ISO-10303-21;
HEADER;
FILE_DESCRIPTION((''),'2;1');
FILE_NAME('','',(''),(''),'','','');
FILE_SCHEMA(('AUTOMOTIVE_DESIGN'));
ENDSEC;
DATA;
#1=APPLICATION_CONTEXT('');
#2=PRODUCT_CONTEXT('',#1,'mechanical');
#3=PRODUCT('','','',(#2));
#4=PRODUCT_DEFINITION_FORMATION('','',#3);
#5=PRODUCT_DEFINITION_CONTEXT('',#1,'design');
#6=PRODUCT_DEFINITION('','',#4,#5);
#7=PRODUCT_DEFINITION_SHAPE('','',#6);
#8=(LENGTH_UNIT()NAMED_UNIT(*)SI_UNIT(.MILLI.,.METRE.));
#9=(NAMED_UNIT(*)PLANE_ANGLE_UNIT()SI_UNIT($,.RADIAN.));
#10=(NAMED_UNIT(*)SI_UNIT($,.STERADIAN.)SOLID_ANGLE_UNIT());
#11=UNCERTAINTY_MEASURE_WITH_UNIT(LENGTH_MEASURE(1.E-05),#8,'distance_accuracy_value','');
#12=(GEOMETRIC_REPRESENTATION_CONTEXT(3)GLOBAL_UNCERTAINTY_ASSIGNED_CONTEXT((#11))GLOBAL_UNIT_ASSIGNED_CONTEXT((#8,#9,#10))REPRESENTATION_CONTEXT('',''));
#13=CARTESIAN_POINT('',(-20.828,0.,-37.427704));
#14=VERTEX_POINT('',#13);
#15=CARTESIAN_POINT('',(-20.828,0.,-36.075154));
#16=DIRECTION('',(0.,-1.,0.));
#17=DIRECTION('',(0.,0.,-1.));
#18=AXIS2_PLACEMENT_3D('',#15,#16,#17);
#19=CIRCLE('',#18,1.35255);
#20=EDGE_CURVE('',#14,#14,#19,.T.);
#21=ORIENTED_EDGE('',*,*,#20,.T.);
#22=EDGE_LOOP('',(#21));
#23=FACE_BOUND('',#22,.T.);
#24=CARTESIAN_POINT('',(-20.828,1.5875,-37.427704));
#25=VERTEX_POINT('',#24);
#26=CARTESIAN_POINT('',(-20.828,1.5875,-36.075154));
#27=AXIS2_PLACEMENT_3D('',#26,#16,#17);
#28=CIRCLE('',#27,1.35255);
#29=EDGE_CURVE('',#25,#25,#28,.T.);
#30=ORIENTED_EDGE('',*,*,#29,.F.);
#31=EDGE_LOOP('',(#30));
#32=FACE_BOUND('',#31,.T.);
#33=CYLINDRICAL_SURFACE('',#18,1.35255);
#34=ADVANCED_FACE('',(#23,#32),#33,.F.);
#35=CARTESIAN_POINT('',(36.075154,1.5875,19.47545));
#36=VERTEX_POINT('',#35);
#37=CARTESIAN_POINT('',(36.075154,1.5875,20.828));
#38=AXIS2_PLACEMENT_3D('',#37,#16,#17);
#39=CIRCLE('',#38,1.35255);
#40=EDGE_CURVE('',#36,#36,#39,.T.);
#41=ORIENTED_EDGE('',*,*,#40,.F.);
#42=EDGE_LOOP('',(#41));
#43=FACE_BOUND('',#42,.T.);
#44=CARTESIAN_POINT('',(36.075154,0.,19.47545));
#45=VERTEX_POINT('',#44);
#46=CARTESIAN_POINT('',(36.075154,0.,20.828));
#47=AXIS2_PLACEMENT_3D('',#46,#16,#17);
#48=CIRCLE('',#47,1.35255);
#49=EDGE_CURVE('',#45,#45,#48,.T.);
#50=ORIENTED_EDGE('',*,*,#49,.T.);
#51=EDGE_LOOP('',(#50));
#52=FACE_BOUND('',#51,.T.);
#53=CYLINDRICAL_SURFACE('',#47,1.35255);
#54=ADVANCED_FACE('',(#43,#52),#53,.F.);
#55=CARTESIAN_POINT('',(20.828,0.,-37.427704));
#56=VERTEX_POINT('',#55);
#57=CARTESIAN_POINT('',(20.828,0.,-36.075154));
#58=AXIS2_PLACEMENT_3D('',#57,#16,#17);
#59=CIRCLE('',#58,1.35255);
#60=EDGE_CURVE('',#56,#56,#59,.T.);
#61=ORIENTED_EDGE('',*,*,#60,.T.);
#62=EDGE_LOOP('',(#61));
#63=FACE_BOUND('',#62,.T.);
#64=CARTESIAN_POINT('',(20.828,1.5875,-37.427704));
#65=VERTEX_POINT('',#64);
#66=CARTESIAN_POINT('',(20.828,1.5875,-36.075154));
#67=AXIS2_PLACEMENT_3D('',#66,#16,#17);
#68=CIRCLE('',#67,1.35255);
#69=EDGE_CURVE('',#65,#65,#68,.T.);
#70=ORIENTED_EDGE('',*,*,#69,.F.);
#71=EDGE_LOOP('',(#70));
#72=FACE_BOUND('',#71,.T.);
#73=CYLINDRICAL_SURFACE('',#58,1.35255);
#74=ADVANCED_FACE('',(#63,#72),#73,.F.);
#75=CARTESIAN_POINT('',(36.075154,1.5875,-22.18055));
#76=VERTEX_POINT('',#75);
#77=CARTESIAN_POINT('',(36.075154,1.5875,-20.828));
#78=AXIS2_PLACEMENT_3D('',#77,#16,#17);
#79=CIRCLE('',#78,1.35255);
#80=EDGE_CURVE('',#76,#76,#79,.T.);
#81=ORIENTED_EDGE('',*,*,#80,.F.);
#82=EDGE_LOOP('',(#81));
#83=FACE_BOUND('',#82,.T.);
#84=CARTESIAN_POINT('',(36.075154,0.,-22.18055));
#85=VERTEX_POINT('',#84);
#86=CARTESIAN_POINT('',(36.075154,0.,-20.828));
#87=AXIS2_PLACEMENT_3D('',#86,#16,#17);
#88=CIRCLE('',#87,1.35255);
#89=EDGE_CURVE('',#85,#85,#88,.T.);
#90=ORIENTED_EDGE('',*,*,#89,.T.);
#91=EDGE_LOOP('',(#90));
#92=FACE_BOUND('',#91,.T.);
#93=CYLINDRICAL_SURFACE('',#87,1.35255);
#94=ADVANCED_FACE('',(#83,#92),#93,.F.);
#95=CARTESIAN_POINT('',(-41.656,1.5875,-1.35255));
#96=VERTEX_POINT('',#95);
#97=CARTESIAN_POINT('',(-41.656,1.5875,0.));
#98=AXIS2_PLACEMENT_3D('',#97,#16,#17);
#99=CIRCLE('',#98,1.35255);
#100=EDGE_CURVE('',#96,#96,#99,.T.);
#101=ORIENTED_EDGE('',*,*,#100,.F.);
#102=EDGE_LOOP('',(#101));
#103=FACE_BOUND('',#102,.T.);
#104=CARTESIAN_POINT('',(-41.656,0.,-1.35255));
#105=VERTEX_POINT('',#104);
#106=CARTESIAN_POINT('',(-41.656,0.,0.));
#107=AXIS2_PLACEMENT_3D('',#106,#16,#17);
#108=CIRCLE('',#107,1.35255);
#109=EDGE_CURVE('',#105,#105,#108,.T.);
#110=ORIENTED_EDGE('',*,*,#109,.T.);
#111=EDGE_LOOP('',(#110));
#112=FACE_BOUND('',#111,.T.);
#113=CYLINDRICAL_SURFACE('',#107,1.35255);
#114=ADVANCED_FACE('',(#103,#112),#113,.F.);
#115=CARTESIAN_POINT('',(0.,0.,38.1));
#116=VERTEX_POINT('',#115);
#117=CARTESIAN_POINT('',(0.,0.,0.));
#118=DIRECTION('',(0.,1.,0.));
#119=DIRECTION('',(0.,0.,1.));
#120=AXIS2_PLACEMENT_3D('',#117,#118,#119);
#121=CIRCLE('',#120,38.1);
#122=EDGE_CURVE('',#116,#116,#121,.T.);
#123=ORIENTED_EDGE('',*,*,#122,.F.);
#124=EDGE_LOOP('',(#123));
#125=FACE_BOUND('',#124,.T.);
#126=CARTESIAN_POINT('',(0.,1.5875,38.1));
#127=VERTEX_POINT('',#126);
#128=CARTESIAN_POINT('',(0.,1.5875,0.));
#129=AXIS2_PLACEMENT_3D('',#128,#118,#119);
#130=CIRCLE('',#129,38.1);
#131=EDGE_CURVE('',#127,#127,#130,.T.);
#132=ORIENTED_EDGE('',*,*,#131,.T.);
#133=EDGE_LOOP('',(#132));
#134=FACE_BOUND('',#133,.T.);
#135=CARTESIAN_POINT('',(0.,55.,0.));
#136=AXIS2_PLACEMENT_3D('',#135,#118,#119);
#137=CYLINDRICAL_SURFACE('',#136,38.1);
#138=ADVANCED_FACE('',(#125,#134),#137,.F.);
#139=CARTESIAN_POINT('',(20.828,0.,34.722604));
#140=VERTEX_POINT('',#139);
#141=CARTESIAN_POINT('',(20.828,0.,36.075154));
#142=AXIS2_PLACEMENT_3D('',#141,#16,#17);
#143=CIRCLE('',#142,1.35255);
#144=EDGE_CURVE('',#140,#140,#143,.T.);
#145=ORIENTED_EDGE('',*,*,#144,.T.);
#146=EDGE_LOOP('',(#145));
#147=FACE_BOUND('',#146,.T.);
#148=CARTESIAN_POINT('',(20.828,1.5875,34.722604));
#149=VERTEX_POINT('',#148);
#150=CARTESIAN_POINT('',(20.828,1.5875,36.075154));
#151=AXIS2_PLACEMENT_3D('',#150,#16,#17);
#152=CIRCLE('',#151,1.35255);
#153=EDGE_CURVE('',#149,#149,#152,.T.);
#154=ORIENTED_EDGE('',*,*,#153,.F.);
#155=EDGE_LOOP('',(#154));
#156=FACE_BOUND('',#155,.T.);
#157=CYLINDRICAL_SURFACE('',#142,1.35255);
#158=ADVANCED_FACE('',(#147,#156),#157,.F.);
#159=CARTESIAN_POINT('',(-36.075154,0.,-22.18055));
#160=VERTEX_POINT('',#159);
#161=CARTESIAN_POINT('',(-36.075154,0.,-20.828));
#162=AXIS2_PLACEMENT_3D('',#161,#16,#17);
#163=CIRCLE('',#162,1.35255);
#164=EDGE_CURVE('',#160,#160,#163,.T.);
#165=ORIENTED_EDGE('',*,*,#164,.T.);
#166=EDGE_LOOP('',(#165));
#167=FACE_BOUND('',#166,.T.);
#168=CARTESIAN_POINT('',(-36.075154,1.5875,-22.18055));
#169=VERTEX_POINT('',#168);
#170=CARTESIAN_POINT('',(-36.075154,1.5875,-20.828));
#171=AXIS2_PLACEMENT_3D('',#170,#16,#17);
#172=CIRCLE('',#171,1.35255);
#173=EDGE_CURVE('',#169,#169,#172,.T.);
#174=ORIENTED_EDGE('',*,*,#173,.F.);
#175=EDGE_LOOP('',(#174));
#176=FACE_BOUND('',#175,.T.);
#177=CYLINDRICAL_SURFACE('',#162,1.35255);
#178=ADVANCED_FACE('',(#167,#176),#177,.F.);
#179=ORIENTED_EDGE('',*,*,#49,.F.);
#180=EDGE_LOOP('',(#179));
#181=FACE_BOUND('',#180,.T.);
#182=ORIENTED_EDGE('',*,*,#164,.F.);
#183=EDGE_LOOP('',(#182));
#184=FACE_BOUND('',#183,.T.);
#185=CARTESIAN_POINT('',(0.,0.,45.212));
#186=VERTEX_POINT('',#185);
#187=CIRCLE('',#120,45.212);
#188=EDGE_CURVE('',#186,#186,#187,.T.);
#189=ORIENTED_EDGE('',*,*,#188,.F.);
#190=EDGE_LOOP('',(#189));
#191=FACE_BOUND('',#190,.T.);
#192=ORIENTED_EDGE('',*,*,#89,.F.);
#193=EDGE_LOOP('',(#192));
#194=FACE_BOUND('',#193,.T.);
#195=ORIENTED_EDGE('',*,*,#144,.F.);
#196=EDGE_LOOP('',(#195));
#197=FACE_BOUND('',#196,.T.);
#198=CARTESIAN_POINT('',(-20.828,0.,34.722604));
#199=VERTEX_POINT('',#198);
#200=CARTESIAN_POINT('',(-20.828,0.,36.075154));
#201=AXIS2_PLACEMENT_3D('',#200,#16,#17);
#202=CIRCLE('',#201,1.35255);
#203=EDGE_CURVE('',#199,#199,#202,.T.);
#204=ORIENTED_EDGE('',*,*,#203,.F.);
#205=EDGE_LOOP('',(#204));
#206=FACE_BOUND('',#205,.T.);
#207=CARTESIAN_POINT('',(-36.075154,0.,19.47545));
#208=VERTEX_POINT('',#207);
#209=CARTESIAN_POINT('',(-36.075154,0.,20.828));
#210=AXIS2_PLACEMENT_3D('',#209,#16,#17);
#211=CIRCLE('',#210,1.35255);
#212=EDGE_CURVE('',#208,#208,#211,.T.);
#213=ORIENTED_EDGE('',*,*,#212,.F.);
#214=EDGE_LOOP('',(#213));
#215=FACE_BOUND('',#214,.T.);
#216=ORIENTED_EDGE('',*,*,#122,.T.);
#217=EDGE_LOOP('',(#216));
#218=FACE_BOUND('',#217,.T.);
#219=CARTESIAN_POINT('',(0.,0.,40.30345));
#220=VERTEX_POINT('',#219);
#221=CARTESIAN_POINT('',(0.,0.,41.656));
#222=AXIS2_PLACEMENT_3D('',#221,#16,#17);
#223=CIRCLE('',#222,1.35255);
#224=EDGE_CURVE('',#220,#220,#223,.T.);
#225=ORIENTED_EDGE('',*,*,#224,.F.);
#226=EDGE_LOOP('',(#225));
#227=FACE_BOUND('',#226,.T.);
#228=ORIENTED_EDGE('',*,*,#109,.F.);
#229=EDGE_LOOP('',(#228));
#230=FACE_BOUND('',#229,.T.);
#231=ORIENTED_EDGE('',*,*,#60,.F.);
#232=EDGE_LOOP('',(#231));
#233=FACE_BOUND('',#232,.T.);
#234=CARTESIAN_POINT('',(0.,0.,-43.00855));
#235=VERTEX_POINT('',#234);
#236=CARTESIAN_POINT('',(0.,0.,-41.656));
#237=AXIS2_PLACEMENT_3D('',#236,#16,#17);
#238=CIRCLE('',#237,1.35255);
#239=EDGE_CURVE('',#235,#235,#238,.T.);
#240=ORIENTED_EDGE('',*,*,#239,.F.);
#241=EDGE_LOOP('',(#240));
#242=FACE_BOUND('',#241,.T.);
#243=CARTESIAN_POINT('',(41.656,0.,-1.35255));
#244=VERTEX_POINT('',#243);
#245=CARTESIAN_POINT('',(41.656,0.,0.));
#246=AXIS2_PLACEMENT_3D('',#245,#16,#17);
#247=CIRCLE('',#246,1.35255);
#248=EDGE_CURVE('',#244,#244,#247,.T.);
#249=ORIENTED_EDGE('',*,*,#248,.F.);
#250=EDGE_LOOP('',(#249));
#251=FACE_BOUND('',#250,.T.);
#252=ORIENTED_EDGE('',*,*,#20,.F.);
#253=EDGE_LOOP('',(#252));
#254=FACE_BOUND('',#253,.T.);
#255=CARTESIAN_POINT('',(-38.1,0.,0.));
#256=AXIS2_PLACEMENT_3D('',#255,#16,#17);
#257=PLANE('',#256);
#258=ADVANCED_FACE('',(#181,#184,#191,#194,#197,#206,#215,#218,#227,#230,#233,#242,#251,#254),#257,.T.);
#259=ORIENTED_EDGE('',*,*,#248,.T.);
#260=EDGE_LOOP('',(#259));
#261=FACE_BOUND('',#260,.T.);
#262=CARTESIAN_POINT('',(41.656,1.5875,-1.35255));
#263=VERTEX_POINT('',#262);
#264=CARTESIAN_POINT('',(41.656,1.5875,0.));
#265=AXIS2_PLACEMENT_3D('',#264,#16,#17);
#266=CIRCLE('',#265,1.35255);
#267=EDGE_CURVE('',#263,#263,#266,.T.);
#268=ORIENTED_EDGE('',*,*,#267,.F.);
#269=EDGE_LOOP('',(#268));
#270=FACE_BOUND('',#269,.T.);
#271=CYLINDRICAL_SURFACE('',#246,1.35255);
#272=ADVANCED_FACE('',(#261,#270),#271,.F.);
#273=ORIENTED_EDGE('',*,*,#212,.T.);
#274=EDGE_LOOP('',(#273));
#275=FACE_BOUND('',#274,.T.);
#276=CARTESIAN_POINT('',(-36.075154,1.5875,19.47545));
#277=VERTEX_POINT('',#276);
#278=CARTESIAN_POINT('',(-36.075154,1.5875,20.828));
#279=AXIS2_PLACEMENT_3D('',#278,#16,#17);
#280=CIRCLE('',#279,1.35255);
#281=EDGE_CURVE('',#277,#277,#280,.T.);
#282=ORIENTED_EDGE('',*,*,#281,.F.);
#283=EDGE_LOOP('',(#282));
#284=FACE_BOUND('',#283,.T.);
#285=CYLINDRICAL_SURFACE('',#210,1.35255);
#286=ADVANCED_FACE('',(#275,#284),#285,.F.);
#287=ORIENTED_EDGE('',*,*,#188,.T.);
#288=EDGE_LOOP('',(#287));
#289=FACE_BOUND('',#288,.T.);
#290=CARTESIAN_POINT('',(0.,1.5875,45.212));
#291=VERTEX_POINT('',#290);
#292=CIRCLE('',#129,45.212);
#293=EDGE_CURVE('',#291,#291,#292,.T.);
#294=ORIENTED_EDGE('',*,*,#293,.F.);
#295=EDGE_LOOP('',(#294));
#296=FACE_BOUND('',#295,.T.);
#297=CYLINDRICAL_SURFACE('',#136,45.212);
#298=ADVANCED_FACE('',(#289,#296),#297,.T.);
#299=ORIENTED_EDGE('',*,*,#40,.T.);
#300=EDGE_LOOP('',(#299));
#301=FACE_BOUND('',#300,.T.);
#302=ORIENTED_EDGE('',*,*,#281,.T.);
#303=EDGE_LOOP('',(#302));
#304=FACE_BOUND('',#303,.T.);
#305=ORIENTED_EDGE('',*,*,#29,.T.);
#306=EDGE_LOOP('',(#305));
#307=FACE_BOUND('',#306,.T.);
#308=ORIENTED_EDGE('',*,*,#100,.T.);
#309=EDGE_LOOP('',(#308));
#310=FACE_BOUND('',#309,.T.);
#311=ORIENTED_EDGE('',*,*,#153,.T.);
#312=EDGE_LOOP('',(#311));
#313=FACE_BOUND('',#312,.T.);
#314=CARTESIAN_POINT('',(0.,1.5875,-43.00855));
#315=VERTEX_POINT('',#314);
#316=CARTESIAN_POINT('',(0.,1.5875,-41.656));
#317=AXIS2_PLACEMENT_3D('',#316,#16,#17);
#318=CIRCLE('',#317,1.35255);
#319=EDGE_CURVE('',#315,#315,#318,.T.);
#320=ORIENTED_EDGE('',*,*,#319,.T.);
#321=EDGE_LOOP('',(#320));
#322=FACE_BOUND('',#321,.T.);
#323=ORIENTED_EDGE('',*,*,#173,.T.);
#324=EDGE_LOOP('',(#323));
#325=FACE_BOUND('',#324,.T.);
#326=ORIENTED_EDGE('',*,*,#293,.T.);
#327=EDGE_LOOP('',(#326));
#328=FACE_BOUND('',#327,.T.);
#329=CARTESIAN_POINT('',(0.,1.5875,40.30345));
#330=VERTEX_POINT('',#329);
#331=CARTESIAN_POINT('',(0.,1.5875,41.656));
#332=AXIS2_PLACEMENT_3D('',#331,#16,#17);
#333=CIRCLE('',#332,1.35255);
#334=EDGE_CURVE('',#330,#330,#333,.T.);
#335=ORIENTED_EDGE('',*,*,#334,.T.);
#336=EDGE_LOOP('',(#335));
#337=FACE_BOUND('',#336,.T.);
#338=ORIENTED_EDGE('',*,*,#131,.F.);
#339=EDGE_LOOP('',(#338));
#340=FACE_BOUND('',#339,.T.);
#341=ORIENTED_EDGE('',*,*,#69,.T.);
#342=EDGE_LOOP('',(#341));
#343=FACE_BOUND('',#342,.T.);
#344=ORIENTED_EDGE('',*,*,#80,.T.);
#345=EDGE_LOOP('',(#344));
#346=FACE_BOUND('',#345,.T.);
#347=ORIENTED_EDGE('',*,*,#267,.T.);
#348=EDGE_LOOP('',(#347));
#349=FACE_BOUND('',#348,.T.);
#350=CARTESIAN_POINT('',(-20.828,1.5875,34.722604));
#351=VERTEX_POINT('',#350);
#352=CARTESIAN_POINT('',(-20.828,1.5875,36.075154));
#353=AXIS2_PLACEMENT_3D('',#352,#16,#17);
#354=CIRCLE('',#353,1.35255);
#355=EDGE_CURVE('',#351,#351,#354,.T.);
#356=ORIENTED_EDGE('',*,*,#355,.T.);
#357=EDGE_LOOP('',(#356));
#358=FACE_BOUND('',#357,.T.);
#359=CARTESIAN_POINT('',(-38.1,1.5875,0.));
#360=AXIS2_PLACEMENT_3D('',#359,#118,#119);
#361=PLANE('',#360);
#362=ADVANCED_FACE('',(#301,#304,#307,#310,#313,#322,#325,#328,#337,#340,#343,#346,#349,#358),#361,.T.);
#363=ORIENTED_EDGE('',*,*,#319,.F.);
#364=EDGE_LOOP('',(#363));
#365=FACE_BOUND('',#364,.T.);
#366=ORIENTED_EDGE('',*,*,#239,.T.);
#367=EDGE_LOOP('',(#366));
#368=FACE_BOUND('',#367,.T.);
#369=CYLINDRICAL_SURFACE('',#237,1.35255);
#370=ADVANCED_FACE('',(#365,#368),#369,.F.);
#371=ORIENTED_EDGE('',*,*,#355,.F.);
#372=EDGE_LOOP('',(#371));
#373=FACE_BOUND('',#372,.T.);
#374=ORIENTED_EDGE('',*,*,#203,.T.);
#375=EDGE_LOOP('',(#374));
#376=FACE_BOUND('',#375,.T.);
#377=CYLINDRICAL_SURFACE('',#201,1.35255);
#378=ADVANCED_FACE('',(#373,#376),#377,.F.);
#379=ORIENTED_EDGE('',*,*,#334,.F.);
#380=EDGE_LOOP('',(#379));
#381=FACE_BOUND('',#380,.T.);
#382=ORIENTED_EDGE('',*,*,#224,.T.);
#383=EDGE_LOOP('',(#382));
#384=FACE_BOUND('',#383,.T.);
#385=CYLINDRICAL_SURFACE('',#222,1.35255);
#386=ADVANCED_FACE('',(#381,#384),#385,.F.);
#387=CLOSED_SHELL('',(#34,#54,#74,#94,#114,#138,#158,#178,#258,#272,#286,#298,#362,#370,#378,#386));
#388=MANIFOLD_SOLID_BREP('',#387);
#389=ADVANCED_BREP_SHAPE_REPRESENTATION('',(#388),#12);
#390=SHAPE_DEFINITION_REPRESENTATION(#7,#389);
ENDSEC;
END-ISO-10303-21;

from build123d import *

# Parameters (mm, degrees)
SKETCH1_W                    = 7.112
SKETCH1_H                    = 1.5875
F_36_0_1065_DIAMETER_HOLE1_D = 2.7051
SCREW_PASSTHROUGHS_COUNT     = 12


with BuildPart() as part:
    # Sketch1 → Main (revolve)
    with BuildSketch(Plane.XY):
        with Locations((-41.656, 0.79375)):
            Rectangle(SKETCH1_W, SKETCH1_H)
    revolve(axis=Axis((0, 55, 0), (0, -1, 0)))

    # #36 (0.1065) Diameter Hole1 (through all)
    with Locations(Plane(origin=(0, 0, 0), x_dir=(-1, 0, 0), z_dir=(0, -1, 0))):
        with Locations((41.656, 0)):
            f_36_0_1065_diameter_hole1 = Hole(F_36_0_1065_DIAMETER_HOLE1_D / 2)

    # Screw Passthroughs: #36 (0.1065) Diameter Hole1 ×12 about axis
    screw_passthroughs_axis = Axis((0, 0, 0), (0, 1, 0))
    for i in range(1, SCREW_PASSTHROUGHS_COUNT):
        add(f_36_0_1065_diameter_hole1.rotate(screw_passthroughs_axis, i * 360 / SCREW_PASSTHROUGHS_COUNT), mode=Mode.SUBTRACT)


solid = part.part
